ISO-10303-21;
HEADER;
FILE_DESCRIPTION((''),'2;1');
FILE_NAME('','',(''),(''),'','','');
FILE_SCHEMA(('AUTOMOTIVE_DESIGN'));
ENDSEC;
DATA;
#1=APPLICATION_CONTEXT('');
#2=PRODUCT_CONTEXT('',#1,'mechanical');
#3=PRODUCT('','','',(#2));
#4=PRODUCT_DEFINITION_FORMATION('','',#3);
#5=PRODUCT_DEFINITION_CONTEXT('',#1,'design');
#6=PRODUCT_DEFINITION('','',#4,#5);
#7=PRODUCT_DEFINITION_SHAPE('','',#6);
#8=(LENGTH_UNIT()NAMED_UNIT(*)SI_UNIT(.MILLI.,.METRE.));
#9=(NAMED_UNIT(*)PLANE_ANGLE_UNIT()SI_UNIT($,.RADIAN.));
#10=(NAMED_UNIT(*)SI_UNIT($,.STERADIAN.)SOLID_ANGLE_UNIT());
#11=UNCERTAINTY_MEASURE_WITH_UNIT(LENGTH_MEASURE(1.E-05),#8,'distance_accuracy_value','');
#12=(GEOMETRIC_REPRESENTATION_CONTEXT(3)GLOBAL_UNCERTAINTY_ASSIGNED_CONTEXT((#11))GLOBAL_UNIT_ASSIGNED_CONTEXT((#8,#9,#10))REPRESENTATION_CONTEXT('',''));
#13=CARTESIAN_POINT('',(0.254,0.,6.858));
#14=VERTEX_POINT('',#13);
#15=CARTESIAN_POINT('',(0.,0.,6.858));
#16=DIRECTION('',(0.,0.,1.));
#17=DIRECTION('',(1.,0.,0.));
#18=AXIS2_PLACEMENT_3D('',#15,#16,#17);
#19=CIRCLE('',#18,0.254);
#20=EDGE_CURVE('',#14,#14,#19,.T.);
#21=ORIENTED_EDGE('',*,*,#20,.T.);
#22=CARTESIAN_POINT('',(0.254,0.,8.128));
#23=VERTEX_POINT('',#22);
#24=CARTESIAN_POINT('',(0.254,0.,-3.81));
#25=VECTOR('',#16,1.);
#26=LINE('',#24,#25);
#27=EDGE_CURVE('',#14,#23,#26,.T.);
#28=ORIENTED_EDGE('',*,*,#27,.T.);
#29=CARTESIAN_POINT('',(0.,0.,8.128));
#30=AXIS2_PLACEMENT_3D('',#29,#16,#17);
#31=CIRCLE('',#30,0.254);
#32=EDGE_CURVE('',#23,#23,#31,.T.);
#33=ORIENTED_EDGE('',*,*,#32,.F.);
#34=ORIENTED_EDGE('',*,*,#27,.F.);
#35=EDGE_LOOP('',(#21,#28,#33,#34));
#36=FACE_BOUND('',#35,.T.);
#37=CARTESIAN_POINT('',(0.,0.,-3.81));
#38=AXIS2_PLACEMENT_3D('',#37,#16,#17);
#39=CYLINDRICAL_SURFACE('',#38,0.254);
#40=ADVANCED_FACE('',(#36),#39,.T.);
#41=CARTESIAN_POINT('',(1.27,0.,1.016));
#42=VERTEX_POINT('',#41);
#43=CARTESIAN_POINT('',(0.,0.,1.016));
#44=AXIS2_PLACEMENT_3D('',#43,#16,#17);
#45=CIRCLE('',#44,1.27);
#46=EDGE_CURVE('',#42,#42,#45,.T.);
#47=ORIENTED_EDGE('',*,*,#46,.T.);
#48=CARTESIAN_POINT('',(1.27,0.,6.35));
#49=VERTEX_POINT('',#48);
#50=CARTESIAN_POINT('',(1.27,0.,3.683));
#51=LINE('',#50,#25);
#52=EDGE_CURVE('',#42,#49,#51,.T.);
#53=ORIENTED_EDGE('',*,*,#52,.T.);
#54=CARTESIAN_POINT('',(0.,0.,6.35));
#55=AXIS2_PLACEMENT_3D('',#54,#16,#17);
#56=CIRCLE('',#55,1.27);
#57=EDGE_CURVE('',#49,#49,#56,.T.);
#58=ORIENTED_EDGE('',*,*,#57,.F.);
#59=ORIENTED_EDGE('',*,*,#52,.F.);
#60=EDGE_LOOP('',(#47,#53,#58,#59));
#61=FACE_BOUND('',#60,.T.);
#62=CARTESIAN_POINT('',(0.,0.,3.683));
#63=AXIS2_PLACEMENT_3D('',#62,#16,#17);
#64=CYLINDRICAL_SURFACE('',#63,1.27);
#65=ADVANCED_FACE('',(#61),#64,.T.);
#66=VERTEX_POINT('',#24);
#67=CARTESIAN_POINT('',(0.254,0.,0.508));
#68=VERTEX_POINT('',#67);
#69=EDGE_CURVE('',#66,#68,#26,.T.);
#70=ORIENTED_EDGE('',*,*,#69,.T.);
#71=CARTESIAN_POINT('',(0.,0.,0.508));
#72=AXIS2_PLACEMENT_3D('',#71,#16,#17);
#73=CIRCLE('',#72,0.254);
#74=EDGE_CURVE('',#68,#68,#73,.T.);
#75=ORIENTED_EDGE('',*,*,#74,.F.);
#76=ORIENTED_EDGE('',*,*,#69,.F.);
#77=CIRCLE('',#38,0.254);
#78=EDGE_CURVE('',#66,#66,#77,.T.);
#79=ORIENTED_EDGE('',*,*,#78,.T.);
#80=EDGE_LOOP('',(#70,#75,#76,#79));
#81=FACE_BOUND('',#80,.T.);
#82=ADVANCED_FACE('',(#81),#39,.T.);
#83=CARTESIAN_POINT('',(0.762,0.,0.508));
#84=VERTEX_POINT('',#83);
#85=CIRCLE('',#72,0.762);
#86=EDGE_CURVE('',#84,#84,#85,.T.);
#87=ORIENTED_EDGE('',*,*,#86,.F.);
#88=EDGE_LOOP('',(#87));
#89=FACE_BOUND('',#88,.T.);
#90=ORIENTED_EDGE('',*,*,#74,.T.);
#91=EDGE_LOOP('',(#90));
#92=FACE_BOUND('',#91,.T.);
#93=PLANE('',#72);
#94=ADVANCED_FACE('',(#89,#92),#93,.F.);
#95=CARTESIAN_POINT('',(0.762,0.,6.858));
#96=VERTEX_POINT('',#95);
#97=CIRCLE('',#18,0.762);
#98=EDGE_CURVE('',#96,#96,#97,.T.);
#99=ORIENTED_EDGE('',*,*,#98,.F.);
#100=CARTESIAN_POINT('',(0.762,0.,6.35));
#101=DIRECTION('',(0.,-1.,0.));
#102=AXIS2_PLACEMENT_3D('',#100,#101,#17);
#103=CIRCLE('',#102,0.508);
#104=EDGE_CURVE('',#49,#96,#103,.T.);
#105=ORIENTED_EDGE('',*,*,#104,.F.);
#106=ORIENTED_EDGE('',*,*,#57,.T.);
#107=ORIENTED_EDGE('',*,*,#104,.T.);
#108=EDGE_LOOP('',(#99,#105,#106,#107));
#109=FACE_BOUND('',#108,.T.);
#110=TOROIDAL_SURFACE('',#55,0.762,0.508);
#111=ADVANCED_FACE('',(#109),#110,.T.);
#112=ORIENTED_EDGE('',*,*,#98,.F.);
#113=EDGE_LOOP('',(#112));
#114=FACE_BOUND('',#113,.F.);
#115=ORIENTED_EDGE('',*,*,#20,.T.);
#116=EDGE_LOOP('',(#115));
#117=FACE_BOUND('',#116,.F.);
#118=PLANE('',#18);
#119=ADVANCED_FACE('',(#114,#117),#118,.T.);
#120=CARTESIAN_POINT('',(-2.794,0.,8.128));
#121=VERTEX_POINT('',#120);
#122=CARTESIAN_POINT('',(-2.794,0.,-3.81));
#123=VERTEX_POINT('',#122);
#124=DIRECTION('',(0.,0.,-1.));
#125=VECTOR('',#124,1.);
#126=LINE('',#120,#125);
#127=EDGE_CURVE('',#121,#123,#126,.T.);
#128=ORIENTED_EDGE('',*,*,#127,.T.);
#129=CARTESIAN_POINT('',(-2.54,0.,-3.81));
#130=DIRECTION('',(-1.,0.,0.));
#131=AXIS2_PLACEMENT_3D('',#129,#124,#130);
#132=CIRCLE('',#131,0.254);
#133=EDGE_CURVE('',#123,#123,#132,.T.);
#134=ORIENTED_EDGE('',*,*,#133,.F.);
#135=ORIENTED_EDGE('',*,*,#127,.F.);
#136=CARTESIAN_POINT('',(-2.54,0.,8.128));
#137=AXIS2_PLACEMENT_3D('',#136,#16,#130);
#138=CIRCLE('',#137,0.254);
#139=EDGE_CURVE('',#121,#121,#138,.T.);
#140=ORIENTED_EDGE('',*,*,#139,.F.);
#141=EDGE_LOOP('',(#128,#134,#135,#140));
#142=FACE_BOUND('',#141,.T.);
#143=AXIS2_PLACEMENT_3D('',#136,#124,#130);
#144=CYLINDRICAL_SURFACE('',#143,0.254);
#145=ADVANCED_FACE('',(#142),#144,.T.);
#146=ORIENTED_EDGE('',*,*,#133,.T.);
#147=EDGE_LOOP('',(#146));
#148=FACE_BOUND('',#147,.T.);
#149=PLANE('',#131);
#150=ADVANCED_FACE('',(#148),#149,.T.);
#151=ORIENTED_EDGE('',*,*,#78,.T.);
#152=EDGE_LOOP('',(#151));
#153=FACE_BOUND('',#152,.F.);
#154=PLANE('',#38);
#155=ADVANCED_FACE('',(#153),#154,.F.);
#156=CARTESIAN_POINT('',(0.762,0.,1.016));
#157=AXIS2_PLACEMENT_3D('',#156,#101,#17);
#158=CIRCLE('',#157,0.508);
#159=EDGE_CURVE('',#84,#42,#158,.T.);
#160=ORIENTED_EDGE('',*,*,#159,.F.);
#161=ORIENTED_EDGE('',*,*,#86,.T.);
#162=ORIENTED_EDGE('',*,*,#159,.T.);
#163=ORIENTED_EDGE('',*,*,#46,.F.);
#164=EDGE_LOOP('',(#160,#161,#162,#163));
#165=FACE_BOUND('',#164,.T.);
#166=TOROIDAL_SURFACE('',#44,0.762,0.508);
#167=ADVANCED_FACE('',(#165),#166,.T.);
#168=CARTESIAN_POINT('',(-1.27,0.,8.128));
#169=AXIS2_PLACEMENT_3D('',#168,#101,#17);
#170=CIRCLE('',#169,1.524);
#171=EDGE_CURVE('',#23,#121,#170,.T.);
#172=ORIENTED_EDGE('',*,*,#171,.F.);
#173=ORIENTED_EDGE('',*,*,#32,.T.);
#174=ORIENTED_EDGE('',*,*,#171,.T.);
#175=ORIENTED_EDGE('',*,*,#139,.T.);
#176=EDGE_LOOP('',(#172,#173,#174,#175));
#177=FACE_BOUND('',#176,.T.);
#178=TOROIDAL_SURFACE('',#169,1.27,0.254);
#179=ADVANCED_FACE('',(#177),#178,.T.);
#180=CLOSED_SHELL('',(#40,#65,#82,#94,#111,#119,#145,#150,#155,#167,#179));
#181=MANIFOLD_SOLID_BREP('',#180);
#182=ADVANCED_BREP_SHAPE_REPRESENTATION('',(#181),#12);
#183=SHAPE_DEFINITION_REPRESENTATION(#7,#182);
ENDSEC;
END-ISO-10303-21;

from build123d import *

# Parameters (mm, degrees)
F0_W = 1.27
F0_H = 6.35
F2_R = 0.508
F5_R = 0.254


with BuildPart() as f1:
    # F0 (on Front) → F1 (revolve)
    with BuildSketch(Plane.XZ):
        with Locations((0.635, 3.683)):
            Rectangle(F0_W, F0_H)
    revolve(axis=Axis((0, 0, 3.683), (0, 0, 1)))

    # F2
    f2_edges = [f1.edges().sort_by_distance(p)[0] for p in [
        (-1.27, 0, 6.858),
        (-1.27, 0, 0.508),
    ]]
    fillet(f2_edges, radius=F2_R)

    # F6: sweep along a path in F3
    with BuildLine(Plane.XZ) as f6_path:
        Line((0, -3.81), (0, 8.128))
        ThreePointArc((0, 8.128), (-1.27, 9.398), (-2.54, 8.128))
        Line((-2.54, 8.128), (-2.54, -3.81))
    # F5 (on offset) → F6 (sweep)
    with BuildSketch(Plane.XY.offset(-3.81)):
        Circle(F5_R)
    sweep(path=f6_path.line)


solid = f1.part
